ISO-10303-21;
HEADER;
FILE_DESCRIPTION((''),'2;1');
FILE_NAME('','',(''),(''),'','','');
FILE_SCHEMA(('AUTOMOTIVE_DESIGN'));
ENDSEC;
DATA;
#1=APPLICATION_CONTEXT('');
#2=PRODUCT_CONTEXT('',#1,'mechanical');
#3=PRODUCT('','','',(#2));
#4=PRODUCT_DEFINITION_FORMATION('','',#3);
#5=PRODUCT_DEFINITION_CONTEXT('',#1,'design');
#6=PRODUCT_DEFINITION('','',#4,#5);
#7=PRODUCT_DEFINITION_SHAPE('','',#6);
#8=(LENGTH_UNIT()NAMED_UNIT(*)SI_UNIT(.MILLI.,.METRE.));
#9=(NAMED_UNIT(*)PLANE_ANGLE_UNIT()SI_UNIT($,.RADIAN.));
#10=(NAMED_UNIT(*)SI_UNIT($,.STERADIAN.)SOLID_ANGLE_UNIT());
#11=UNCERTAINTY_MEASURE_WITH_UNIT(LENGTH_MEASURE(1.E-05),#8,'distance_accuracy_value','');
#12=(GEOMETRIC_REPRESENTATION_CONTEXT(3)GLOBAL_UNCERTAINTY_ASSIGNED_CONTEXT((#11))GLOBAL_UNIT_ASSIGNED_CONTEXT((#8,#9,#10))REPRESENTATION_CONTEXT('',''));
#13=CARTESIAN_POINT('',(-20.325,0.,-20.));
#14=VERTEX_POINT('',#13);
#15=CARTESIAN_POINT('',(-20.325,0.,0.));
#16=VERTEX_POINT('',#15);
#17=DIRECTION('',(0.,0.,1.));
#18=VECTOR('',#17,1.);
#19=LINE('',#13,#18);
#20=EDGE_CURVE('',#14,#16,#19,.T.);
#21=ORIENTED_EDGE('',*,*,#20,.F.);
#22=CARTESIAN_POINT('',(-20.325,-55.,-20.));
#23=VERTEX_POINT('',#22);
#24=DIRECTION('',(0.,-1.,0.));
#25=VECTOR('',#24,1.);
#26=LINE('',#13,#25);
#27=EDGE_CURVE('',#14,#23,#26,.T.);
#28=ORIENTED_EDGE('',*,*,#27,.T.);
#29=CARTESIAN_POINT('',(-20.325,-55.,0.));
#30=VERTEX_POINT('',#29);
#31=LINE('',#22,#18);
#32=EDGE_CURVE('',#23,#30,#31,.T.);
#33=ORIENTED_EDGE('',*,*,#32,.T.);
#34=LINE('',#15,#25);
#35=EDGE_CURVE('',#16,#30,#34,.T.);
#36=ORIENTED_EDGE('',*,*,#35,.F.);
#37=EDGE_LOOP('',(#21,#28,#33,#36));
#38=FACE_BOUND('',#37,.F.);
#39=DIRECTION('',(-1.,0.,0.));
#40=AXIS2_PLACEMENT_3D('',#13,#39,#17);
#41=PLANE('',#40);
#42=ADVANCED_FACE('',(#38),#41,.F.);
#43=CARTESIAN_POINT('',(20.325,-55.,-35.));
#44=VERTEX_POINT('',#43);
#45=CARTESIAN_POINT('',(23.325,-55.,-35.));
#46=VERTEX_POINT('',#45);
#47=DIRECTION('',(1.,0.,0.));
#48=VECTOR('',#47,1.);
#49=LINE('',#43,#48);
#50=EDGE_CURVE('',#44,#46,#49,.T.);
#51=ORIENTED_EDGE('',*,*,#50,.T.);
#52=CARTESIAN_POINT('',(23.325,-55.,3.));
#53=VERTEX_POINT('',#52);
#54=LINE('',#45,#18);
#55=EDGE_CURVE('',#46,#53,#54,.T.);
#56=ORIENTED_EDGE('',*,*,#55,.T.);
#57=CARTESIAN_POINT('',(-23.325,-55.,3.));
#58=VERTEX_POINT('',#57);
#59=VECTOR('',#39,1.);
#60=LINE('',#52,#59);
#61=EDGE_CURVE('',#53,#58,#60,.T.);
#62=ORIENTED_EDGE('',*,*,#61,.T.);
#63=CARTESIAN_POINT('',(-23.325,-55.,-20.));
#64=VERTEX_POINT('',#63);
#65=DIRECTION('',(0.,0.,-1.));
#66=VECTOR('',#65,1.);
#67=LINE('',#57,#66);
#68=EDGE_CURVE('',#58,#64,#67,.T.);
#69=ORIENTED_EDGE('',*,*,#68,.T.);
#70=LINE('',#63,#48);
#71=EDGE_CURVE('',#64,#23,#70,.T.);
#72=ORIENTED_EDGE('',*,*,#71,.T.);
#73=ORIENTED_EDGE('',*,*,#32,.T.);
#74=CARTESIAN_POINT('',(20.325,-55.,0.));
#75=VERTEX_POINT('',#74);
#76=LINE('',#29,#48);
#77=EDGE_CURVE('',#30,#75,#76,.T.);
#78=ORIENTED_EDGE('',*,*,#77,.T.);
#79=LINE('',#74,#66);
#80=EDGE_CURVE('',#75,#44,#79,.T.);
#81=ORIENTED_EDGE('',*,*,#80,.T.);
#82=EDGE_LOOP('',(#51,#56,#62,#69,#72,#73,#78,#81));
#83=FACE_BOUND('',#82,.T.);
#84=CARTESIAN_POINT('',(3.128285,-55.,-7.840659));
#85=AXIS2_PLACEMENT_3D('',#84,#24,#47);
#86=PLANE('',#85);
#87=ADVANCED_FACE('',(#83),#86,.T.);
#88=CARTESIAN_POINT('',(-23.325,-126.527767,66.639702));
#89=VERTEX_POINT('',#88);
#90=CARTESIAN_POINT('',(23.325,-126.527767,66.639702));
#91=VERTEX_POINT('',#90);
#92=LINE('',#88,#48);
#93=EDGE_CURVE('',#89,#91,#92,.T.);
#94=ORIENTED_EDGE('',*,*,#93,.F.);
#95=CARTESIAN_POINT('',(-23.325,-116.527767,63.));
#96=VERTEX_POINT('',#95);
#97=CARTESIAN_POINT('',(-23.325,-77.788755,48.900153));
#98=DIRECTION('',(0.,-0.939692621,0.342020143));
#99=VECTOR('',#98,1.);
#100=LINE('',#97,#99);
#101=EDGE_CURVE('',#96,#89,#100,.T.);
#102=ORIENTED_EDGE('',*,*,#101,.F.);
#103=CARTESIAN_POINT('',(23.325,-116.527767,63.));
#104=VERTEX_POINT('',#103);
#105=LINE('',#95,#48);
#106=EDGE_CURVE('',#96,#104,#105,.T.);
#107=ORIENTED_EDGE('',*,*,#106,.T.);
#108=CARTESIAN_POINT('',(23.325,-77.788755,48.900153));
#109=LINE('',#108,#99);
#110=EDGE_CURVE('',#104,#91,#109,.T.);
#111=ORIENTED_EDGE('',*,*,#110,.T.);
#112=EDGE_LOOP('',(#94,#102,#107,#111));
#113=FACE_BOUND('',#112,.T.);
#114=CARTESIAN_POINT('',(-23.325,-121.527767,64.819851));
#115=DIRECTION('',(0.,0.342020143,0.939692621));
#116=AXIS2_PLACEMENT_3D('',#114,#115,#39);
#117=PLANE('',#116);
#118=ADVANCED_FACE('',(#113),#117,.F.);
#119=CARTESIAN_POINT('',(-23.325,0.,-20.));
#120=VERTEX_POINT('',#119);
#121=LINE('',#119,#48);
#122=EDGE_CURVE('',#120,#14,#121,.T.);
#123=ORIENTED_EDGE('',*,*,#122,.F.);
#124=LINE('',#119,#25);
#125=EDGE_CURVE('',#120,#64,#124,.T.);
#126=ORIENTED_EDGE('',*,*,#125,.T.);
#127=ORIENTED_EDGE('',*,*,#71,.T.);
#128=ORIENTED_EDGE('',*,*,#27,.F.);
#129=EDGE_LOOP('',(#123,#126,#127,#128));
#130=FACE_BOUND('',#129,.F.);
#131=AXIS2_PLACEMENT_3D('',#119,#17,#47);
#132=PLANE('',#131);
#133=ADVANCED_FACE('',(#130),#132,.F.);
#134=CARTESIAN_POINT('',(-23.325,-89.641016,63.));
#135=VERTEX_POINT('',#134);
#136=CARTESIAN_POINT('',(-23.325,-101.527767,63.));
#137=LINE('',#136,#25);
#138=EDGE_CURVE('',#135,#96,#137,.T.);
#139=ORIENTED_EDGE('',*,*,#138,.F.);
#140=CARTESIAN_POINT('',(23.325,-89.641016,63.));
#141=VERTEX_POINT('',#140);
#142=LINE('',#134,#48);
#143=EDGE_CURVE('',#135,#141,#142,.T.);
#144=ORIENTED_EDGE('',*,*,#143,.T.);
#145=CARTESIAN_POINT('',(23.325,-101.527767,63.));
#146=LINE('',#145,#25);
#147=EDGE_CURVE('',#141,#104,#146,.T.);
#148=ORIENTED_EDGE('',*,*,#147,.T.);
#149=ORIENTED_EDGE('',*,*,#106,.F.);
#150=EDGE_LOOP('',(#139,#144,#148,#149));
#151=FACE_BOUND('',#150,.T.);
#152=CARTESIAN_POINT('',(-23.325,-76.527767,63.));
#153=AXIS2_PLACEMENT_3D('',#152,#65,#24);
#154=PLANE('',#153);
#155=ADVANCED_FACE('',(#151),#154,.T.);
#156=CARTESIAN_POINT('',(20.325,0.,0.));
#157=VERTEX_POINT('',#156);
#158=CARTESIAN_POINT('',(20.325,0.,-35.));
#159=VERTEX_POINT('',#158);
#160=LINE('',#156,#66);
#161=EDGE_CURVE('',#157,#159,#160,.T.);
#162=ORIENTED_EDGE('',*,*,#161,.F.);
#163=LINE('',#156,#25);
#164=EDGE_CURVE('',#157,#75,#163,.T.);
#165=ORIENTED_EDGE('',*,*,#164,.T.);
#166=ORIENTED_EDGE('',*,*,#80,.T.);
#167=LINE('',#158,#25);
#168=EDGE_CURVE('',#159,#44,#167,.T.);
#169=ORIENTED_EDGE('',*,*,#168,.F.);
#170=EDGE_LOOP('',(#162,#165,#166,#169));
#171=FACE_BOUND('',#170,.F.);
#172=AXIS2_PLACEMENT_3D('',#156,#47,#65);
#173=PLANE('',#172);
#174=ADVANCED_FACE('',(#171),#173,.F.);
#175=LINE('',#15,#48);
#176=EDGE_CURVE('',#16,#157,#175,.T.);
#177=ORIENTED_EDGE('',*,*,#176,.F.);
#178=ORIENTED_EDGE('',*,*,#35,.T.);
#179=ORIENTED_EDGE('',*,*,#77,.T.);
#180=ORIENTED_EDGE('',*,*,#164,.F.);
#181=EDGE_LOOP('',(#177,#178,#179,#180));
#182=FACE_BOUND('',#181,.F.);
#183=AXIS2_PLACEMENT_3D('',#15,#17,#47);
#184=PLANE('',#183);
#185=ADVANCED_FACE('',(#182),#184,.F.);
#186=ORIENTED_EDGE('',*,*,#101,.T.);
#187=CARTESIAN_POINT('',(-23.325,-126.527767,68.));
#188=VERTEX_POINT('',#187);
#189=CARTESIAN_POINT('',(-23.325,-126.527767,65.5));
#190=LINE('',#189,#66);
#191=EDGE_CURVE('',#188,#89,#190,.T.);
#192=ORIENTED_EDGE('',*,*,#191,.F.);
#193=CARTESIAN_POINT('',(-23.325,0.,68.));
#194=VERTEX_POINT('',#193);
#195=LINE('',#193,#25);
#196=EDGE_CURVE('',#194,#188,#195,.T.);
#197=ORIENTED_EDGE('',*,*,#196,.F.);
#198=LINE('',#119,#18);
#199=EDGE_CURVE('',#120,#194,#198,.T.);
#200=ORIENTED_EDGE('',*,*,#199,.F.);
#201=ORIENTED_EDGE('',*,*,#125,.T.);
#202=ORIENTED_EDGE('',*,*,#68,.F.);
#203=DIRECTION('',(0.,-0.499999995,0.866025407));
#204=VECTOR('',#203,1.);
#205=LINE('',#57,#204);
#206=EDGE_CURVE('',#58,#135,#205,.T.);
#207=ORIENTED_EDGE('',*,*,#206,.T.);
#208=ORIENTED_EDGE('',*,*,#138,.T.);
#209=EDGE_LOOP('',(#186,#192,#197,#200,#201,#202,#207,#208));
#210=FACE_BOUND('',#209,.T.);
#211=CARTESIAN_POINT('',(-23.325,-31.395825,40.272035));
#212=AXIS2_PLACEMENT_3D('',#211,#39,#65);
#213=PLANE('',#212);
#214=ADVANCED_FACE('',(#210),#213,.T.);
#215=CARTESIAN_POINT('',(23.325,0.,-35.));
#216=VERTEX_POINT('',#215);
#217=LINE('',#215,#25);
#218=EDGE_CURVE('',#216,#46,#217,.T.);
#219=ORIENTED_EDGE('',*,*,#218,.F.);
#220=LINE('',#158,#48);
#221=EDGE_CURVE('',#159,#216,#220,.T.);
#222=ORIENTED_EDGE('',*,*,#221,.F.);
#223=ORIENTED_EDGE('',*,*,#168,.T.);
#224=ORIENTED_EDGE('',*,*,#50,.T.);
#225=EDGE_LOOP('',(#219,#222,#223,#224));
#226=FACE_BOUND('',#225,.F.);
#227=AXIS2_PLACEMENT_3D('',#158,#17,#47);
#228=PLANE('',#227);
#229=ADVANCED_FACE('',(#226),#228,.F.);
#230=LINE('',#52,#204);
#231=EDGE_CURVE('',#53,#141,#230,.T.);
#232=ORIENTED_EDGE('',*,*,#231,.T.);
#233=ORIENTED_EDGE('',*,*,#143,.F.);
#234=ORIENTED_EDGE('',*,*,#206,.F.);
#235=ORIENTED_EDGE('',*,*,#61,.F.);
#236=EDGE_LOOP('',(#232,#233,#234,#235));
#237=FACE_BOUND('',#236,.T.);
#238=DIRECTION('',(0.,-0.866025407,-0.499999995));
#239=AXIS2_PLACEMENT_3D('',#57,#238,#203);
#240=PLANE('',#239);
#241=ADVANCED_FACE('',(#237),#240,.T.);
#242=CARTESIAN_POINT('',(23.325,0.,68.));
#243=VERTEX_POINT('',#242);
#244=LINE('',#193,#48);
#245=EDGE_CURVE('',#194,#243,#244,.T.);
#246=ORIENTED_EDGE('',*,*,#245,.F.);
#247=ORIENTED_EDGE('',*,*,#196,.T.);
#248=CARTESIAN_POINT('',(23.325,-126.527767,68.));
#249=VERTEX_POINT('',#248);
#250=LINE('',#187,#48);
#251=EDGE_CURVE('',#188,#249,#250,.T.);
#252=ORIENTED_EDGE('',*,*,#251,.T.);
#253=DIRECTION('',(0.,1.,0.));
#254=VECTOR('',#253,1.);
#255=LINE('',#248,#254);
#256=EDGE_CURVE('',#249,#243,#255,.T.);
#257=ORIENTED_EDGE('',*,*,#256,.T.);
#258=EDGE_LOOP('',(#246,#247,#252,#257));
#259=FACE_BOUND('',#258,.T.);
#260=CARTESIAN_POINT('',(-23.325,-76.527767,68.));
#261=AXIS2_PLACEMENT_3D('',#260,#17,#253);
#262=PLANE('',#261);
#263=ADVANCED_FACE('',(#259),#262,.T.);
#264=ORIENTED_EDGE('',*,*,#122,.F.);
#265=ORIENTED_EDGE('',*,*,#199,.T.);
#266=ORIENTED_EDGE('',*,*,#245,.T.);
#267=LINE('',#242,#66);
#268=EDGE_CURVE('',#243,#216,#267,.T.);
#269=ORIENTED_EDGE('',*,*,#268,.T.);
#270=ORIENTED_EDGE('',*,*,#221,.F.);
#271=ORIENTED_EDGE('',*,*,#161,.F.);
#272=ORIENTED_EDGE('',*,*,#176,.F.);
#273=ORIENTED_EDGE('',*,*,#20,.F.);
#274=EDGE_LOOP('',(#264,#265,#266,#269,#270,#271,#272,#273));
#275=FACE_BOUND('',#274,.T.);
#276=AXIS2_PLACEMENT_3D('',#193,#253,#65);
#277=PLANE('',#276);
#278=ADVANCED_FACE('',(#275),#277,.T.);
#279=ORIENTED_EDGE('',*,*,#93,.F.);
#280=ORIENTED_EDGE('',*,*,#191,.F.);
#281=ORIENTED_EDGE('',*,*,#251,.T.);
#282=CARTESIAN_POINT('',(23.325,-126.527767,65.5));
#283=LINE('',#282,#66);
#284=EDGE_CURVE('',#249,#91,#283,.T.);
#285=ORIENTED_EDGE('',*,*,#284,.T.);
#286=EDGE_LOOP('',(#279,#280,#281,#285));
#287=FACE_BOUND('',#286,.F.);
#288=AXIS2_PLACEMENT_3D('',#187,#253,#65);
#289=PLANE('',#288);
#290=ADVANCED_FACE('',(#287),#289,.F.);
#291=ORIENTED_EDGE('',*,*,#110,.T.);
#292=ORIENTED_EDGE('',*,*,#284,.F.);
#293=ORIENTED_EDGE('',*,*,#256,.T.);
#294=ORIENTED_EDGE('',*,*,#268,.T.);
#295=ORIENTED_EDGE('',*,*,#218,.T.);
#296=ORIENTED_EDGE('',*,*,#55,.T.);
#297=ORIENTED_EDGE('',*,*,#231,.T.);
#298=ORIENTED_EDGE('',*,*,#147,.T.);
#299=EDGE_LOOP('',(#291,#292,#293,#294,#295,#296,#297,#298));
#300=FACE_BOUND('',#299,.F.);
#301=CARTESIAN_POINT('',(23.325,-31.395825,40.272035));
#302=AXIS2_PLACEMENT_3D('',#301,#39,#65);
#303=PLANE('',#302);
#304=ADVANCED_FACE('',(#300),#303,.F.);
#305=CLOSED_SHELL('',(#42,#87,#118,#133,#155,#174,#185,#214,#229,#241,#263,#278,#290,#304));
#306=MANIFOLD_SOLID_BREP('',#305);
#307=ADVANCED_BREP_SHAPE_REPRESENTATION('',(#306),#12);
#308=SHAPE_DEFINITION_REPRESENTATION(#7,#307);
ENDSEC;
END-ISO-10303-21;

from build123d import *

# Parameters (mm, degrees)
PAD_DEPTH     = 55
PAD001_DEPTH  = 46.65
SKETCH003_W   = 5
SKETCH003_H   = 50
PAD002_DEPTH  = 46.65
PAD003_DEPTH  = 46.65
CHAMFER_ANGLE = 20
CHAMFER_SIZE  = 10


with BuildPart() as part:
    # Sketch → Pad (new body)
    with BuildSketch(Plane.XZ):
        Polygon((-23.325, 3), (-23.325, -20), (-20.325, -20), (-20.325, 0), (20.325, 0), (20.325, -35), (23.325, -35), (23.325, 3), align=None)
    extrude(amount=PAD_DEPTH)

    # Sketch001 (on Face1 of Pad) → Pad001 (join)
    with BuildSketch(Plane(origin=(-23.325, 0, 0), x_dir=(0, 0, -1), z_dir=(-1, 0, 0))):
        Polygon((-3, 39), (-3, 55), (-68, 92.527767), (-68, 76.527767), align=None)
    extrude(amount=-PAD001_DEPTH)

    # Sketch003 (on Face12 of Pad001) → Pad002 (join)
    with BuildSketch(Plane(origin=(-23.325, 0, 0), x_dir=(0, 0, -1), z_dir=(-1, 0, 0))):
        with Locations((-65.5, 101.527767)):
            Rectangle(SKETCH003_W, SKETCH003_H)
    extrude(amount=-PAD002_DEPTH)

    # Sketch004 (on DatumPlane) → Pad003 (join)
    with BuildSketch(Plane(origin=(-23.325, 0, 0), x_dir=(0, 0, -1), z_dir=(-1, 0, 0))):
        Polygon((-68, 0), (-3, 0), (-3, 39), (-68, 76.527767), align=None)
    extrude(amount=-PAD003_DEPTH)

    # Chamfer
    chamfer_edges = [part.edges().sort_by_distance(p)[0] for p in [
        (0, -126.527767, 63),
    ]]
    chamfer_side = part.faces().sort_by_distance((0, -108.084392, 63))[0]
    chamfer(chamfer_edges, length=CHAMFER_SIZE, angle=CHAMFER_ANGLE, reference=chamfer_side)


solid = part.part
